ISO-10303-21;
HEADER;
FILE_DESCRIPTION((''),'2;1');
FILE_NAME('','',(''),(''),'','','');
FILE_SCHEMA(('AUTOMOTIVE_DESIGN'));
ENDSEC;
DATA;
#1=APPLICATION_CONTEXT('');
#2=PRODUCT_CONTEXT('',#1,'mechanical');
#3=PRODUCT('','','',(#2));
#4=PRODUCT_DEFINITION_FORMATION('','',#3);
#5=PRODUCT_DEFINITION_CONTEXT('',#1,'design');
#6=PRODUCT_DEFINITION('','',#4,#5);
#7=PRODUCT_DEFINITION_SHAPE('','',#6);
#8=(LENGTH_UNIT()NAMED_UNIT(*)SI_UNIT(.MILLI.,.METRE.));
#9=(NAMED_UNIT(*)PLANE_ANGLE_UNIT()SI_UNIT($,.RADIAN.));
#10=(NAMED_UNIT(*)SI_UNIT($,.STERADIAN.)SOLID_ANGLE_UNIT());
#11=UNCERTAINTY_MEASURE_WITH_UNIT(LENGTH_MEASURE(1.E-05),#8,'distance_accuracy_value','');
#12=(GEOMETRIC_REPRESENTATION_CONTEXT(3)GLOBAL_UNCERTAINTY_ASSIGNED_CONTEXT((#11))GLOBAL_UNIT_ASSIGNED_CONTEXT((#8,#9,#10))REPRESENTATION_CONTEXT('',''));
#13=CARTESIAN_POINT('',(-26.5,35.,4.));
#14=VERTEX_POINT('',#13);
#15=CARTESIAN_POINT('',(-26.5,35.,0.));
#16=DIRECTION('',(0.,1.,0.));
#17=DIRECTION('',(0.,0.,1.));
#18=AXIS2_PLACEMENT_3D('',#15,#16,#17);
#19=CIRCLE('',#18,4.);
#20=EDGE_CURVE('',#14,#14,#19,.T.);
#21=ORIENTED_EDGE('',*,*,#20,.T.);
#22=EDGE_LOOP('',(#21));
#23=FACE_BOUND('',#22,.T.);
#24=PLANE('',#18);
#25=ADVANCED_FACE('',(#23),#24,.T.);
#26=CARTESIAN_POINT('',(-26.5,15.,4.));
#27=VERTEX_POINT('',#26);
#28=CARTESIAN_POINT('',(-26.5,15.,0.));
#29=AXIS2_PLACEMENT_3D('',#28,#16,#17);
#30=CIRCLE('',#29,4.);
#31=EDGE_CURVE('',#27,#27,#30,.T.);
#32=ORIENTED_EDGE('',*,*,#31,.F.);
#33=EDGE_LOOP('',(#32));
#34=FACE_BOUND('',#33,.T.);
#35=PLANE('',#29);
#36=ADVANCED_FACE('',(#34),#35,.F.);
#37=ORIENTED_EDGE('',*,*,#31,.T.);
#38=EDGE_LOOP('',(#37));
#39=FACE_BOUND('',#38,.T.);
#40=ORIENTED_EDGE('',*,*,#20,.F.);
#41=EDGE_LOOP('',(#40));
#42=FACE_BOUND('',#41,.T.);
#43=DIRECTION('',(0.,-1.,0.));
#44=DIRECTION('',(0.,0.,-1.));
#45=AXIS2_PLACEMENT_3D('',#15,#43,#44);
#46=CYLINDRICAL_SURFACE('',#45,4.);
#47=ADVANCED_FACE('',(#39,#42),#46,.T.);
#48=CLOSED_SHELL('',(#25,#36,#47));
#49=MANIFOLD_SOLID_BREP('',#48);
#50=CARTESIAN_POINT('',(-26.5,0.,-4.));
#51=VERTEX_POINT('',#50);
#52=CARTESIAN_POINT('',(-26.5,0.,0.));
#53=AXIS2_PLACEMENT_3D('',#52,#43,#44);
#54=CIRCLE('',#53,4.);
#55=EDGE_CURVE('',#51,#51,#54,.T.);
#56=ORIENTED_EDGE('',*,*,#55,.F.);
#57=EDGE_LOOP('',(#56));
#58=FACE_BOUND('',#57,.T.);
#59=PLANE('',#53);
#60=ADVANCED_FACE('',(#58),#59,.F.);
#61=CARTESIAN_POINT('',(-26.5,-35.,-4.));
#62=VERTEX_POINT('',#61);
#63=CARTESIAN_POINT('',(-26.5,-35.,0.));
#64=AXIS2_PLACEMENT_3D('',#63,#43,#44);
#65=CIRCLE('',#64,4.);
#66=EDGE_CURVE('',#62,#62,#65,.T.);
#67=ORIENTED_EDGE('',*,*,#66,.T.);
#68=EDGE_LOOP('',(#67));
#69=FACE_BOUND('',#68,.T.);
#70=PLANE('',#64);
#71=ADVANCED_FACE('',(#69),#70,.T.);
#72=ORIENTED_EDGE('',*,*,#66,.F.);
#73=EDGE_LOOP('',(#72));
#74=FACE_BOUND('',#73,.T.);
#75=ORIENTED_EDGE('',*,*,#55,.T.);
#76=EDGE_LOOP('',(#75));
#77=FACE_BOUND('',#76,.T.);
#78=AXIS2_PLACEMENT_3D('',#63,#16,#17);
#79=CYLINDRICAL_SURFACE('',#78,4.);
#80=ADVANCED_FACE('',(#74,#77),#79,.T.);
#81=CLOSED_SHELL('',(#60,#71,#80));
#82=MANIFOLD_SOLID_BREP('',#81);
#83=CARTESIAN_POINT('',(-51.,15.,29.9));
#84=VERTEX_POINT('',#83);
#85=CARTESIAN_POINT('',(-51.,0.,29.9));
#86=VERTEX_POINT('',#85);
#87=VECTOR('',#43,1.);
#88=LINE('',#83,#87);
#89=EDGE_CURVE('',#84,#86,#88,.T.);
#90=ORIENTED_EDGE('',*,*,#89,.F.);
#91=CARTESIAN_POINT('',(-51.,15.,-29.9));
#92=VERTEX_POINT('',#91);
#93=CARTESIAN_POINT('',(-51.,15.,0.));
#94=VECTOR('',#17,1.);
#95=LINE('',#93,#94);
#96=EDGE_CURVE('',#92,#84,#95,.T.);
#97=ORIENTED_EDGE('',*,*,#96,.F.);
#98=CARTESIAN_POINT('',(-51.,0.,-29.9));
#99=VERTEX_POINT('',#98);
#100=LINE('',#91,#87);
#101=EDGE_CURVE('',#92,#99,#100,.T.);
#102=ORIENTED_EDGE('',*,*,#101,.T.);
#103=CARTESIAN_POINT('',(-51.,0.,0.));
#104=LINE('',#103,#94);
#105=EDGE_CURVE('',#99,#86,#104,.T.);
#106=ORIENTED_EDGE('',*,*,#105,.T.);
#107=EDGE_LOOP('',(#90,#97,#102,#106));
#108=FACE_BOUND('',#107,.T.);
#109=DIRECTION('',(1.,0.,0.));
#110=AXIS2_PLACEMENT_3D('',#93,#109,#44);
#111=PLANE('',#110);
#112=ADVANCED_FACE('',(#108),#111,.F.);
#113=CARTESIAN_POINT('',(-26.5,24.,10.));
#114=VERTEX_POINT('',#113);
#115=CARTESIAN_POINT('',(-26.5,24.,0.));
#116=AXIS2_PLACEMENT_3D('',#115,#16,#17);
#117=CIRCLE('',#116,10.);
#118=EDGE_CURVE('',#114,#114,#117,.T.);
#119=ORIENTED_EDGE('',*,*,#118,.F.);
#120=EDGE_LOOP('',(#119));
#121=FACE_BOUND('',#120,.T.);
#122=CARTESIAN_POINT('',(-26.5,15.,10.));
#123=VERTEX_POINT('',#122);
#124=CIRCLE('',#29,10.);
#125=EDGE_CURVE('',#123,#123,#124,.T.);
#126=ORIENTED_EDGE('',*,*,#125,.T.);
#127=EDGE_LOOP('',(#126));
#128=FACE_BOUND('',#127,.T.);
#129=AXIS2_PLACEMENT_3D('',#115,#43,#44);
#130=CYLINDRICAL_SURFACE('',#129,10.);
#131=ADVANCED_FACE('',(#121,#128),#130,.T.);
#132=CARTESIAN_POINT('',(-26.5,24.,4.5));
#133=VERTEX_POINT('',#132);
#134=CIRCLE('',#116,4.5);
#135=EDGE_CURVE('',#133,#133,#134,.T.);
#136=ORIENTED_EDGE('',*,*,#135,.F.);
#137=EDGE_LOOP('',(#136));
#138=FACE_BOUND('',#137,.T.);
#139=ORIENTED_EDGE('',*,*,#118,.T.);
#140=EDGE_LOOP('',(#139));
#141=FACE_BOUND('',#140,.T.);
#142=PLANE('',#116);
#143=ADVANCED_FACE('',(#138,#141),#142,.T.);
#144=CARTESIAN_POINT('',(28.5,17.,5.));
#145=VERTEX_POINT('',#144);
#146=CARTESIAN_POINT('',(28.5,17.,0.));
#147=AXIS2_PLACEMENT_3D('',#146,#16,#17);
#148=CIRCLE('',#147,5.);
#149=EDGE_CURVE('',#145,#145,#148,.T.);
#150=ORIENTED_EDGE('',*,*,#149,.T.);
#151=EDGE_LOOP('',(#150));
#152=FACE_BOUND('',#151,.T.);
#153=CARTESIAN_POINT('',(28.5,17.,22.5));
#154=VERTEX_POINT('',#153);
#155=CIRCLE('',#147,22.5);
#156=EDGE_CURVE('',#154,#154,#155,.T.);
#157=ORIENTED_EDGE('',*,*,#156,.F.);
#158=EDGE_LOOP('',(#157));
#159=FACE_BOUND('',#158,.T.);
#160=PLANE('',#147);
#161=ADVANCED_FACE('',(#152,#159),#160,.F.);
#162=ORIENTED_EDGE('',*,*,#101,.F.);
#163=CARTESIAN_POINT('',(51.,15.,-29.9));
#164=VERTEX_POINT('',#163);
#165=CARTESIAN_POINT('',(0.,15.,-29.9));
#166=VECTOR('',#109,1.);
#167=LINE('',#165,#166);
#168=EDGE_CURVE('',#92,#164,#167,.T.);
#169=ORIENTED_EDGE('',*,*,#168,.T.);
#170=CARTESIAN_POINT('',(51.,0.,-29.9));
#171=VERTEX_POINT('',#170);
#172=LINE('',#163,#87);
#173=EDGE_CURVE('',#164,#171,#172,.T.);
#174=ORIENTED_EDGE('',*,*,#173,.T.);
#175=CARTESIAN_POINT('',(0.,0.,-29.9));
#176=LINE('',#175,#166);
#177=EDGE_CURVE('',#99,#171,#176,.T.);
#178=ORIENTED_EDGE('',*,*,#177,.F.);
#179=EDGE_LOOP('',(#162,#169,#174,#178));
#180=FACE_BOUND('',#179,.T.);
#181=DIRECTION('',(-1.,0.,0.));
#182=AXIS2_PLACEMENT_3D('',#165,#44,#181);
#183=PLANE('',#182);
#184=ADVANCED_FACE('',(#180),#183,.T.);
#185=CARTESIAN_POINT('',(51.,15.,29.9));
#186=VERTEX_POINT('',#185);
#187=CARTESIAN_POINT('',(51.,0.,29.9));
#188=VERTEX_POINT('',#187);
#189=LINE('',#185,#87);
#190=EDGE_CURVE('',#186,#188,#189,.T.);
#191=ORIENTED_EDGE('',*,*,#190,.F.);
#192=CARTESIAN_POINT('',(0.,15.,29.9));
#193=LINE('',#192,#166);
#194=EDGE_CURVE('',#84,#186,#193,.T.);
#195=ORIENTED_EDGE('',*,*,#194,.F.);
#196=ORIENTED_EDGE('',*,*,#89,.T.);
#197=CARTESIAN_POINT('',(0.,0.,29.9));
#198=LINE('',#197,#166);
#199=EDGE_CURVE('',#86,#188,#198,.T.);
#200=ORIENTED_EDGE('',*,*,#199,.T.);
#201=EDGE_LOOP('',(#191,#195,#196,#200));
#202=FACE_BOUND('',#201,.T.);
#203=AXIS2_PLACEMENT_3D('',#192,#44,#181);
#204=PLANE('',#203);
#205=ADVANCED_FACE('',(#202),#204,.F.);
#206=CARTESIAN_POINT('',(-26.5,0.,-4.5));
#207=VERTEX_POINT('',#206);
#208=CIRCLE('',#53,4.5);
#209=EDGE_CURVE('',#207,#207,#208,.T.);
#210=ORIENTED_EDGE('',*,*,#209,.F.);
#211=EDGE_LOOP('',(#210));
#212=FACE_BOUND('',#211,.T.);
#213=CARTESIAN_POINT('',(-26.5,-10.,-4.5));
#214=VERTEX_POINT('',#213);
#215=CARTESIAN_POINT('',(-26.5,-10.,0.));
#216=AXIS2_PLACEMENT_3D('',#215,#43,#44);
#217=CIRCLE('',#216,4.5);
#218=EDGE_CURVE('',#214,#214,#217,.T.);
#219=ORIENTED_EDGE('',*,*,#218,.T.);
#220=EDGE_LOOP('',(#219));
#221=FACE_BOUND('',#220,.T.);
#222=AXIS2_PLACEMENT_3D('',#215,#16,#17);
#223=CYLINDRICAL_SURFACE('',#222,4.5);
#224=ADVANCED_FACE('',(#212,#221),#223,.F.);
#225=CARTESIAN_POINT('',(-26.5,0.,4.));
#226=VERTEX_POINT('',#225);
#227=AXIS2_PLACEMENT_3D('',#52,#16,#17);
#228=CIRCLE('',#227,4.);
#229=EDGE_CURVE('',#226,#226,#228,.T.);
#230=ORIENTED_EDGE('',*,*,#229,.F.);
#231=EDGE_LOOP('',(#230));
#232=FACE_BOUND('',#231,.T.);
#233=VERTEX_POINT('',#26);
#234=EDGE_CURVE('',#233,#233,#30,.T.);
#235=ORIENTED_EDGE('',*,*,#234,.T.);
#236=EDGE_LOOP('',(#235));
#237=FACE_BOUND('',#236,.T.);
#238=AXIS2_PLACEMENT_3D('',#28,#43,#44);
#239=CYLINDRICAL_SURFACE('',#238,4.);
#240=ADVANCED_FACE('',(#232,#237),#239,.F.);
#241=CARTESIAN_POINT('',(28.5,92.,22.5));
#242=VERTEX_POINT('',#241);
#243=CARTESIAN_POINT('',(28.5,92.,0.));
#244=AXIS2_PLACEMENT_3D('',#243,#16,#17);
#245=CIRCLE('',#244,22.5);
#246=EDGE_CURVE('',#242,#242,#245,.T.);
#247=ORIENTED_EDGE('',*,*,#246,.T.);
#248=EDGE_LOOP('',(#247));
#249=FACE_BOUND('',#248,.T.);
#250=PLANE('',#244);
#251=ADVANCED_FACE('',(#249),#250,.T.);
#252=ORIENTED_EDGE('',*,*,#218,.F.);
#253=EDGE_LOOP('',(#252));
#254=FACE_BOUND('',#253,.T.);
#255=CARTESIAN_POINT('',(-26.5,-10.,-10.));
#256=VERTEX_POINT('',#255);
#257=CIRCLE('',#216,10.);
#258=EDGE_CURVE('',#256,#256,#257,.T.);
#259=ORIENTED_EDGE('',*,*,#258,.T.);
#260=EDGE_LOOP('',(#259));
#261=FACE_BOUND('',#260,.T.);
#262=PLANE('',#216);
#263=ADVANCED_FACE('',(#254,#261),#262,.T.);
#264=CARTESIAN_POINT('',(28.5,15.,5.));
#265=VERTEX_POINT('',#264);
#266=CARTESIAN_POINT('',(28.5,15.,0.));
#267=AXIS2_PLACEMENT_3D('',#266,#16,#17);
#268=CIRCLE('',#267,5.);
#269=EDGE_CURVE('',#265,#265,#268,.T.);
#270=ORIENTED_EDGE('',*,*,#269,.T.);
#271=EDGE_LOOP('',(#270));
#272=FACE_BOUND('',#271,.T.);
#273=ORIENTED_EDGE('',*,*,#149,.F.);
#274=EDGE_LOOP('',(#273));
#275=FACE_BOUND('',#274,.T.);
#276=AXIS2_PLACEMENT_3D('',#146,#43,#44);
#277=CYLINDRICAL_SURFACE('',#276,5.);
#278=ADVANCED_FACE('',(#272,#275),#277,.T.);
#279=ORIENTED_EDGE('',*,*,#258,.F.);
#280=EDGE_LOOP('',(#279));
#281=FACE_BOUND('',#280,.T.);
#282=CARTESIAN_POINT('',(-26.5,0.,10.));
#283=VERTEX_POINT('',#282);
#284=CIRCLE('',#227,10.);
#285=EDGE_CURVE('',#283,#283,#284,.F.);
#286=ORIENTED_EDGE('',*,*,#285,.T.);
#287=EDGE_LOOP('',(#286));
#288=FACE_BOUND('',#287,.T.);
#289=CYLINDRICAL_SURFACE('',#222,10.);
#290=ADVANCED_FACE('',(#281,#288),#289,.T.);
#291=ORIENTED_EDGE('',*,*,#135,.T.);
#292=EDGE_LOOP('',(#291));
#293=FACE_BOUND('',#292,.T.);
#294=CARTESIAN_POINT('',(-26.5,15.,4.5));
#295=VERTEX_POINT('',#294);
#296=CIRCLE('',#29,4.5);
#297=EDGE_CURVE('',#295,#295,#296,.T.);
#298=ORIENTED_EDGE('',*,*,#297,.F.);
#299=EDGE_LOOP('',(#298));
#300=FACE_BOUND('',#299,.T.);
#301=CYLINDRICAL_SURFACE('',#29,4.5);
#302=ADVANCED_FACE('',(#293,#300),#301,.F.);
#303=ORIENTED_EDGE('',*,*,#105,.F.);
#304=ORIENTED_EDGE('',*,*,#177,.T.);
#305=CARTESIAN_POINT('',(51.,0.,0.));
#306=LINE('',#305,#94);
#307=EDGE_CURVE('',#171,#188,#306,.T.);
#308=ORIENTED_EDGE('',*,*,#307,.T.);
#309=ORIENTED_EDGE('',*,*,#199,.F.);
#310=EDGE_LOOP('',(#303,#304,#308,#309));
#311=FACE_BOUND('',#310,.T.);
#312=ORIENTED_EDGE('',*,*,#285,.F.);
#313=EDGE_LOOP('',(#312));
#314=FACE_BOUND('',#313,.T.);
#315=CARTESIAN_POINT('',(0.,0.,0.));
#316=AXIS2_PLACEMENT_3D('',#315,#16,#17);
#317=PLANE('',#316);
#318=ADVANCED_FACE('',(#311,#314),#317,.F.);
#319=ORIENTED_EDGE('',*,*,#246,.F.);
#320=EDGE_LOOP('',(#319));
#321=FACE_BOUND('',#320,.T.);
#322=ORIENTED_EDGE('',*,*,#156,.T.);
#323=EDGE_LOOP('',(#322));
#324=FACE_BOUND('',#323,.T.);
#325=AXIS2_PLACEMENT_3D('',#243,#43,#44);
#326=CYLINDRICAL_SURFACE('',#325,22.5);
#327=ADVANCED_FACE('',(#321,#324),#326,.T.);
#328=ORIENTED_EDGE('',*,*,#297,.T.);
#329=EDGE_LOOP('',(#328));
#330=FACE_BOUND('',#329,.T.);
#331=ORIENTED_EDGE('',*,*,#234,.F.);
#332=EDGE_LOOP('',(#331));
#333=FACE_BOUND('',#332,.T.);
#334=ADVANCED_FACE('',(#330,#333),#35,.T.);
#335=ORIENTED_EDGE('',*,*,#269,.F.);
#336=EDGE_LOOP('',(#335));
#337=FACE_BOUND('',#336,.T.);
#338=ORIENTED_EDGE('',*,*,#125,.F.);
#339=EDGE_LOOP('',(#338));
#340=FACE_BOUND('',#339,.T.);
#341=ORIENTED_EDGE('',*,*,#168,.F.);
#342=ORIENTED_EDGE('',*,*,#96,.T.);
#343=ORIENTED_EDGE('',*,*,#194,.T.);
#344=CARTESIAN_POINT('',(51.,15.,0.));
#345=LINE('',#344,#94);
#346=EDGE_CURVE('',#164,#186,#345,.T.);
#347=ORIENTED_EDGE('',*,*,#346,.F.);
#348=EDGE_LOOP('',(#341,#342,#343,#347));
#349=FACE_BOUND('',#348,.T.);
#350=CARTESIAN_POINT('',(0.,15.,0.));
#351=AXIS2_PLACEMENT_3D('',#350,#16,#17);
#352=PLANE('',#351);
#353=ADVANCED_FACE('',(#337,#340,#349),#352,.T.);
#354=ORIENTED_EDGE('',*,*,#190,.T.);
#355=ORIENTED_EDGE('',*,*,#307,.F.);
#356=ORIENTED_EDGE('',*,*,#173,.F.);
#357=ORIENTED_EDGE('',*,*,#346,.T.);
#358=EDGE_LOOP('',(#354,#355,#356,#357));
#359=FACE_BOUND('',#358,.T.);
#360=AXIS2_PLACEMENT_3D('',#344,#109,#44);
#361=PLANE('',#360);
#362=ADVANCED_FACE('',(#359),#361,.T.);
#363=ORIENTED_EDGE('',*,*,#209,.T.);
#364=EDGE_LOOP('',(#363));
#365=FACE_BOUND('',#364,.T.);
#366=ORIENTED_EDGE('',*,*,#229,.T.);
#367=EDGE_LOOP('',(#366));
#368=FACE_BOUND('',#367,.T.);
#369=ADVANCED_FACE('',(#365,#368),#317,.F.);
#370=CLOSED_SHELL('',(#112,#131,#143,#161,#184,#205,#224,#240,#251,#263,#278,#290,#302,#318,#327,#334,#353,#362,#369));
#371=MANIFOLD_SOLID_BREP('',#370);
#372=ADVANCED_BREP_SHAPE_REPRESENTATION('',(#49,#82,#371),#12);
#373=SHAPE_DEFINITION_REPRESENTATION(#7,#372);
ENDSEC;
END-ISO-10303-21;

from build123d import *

# Parameters (mm, degrees)
SKETCH1_W           = 102
SKETCH1_H           = 59.8
SKETCH1_R           = 4
BOSS_EXTRUDE1_DEPTH = 15
SKETCH3_R           = 5
BOSS_EXTRUDE3_DEPTH = 2
SKETCH4_R           = 22.5
BOSS_EXTRUDE4_DEPTH = 75
SKETCH5_R           = 10
BOSS_EXTRUDE5_DEPTH = 9
SKETCH6_R           = 4.5
CUT_EXTRUDE1_DEPTH  = 9
SKETCH7_R           = 4
BOSS_EXTRUDE6_DEPTH = 20
SKETCH8_R           = 10
SKETCH8_R_2         = 4.5
BOSS_EXTRUDE7_DEPTH = 10
SKETCH9_R           = 4
BOSS_EXTRUDE8_DEPTH = 35


with BuildPart() as part:
    # Sketch1 → Boss-Extrude1 (new body)
    with BuildSketch(Plane(origin=(0, 0, 0), x_dir=(1, 0, 0), z_dir=(0, 1, 0))):
        Rectangle(SKETCH1_W, SKETCH1_H)
        with Locations(Location((-26.5, 0, 0), (0, 0, 270))):
            Circle(SKETCH1_R, mode=Mode.SUBTRACT)
    extrude(amount=BOSS_EXTRUDE1_DEPTH)

    # Sketch3 → Boss-Extrude3 (add)
    with BuildSketch(Plane(origin=(0, 15, 0), x_dir=(1, 0, 0), z_dir=(0, 1, 0))):
        with Locations(Location((28.5, 0, 0), (0, 0, 270))):
            Circle(SKETCH3_R)
    extrude(amount=BOSS_EXTRUDE3_DEPTH)

    # Sketch4 → Boss-Extrude4 (add)
    with BuildSketch(Plane(origin=(0, 17, 0), x_dir=(1, 0, 0), z_dir=(0, 1, 0))):
        with Locations(Location((28.5, 0, 0), (0, 0, 270))):
            Circle(SKETCH4_R)
    extrude(amount=BOSS_EXTRUDE4_DEPTH)

    # Sketch5 → Boss-Extrude5 (add)
    with BuildSketch(Plane(origin=(0, 15, 0), x_dir=(1, 0, 0), z_dir=(0, 1, 0))):
        with Locations(Location((-26.5, 0, 0), (0, 0, 270))):
            Circle(SKETCH5_R)
    extrude(amount=BOSS_EXTRUDE5_DEPTH)

    # Sketch6 → Cut-Extrude1 (cut)
    with BuildSketch(Plane(origin=(0, 24, 0), x_dir=(1, 0, 0), z_dir=(0, 1, 0))):
        with Locations(Location((-26.5, 0, 0), (0, 0, 270))):
            Circle(SKETCH6_R)
    extrude(amount=-CUT_EXTRUDE1_DEPTH, mode=Mode.SUBTRACT)

    # Sketch8 → Boss-Extrude7 (add)
    with BuildSketch(Plane.XZ):
        with Locations(Location((-26.5, 0, 0), (0, 0, 90))):
            Circle(SKETCH8_R)
        with Locations(Location((-26.5, 0, 0), (0, 0, 90))):
            Circle(SKETCH8_R_2, mode=Mode.SUBTRACT)
    extrude(amount=BOSS_EXTRUDE7_DEPTH)


with BuildPart() as body_2:
    # Sketch7 → Boss-Extrude6 (new body)
    with BuildSketch(Plane(origin=(0, 15, 0), x_dir=(1, 0, 0), z_dir=(0, 1, 0))):
        with Locations(Location((-26.5, 0, 0), (0, 0, 270))):
            Circle(SKETCH7_R)
    extrude(amount=BOSS_EXTRUDE6_DEPTH)


with BuildPart() as body_3:
    # Sketch9 → Boss-Extrude8 (new body)
    with BuildSketch(Plane.XZ):
        with Locations(Location((-26.5, 0, 0), (0, 0, 270))):
            Circle(SKETCH9_R)
    extrude(amount=BOSS_EXTRUDE8_DEPTH)


solid = Compound([part.part, body_2.part, body_3.part])
